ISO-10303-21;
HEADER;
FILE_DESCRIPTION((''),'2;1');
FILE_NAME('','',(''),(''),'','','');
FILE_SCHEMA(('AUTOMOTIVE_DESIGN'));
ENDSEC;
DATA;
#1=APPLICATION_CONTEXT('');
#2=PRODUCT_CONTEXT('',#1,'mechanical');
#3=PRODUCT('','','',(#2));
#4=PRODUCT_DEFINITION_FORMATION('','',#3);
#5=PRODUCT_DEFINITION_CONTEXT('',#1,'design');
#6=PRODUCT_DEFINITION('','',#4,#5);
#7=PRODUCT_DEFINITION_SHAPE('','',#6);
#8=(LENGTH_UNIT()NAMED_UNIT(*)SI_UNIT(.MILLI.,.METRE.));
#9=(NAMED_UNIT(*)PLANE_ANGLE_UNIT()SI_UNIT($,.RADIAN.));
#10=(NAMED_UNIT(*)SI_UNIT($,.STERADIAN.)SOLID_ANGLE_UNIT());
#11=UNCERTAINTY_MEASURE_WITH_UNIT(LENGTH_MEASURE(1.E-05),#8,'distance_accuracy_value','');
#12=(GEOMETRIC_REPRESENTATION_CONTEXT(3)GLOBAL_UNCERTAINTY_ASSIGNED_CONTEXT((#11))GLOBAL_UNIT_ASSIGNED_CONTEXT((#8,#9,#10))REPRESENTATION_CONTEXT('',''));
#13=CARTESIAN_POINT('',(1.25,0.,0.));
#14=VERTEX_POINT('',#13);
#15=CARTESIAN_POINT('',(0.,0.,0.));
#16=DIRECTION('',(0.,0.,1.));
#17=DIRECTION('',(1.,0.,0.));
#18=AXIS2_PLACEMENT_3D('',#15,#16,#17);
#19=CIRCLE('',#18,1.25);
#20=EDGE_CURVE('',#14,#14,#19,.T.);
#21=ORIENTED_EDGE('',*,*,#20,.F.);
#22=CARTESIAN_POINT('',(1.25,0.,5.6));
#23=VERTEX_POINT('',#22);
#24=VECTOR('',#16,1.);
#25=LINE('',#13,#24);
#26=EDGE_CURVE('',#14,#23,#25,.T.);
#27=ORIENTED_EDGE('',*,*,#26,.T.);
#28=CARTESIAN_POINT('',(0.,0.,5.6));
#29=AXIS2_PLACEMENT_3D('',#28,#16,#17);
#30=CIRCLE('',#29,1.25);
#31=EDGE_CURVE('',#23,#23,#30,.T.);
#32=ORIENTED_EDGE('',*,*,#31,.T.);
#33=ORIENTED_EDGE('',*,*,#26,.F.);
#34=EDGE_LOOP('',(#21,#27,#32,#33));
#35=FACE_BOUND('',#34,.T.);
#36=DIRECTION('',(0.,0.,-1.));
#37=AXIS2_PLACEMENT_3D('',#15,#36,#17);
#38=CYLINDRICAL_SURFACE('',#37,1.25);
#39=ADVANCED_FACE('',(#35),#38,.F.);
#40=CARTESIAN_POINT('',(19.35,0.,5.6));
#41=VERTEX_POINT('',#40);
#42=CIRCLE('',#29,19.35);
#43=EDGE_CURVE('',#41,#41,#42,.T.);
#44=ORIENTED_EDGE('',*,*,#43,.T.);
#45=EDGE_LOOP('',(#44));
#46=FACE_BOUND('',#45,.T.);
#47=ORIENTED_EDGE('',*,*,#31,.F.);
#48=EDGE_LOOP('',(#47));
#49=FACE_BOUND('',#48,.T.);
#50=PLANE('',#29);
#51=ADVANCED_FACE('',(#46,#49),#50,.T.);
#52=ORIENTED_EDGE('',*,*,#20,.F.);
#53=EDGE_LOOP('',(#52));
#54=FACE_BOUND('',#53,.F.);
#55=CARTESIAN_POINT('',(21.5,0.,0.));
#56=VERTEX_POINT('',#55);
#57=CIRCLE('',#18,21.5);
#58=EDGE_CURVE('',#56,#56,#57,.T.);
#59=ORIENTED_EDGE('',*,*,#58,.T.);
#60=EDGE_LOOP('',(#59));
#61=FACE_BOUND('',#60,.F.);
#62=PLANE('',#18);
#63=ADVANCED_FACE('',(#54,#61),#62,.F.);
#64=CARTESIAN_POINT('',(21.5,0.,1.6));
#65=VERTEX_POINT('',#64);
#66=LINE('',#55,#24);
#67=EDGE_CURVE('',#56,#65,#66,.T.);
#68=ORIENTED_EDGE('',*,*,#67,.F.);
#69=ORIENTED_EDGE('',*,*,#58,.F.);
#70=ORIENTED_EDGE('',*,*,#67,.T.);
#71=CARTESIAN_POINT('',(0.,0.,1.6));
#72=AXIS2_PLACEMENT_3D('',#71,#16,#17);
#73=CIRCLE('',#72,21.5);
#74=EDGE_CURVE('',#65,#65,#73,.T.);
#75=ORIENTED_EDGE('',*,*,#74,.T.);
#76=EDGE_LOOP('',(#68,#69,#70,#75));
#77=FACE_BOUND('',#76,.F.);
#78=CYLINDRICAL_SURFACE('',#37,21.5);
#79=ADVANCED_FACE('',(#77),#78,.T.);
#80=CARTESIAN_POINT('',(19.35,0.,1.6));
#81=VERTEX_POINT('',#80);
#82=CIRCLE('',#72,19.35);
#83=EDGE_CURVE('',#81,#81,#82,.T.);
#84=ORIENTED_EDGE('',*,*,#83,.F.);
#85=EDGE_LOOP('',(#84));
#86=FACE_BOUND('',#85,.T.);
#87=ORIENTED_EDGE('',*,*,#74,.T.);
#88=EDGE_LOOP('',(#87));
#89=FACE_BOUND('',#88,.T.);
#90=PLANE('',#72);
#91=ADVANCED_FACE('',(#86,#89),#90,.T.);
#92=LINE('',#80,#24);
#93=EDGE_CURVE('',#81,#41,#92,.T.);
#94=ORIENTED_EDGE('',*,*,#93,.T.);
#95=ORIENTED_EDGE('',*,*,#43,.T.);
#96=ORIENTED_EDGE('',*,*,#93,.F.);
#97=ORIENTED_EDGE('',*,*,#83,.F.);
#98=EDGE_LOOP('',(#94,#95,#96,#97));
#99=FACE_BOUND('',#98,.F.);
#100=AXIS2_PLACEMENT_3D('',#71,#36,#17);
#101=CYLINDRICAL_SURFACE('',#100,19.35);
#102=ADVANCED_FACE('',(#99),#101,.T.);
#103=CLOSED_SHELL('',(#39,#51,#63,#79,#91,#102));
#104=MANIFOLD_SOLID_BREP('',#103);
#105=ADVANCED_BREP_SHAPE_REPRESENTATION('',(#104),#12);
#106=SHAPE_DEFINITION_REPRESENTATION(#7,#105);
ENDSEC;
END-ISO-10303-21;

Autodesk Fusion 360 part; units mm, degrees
sketch "Flange" plane through (0, 0, 0) normal (0, 0, 1) x (1, 0, 0)
  circle A0 centre (0, 0) radius 21.5
extrude "Flange (1)" add sketch "Flange" along normal blind 1.6
ref_plane "WorkPlane1" through (0, 0, 1.6) normal (0, 0, 1) x (1, 0, 0)
sketch "Press-fit body" plane through (0, 0, 1.6) normal (0, 0, 1) x (1, 0, 0)
  circle A0 centre (0, 0) radius 19.35
extrude "Press-fit body (1)" add sketch "Press-fit body" along normal blind 4
sketch "Puller pilot" plane through (0, 0, 0) normal (0, 0, 1) x (1, 0, 0)
  circle A0 centre (0, 0) radius 1.25
extrude "Puller pilot (1)" cut sketch "Puller pilot" along normal mid plane 11.2
